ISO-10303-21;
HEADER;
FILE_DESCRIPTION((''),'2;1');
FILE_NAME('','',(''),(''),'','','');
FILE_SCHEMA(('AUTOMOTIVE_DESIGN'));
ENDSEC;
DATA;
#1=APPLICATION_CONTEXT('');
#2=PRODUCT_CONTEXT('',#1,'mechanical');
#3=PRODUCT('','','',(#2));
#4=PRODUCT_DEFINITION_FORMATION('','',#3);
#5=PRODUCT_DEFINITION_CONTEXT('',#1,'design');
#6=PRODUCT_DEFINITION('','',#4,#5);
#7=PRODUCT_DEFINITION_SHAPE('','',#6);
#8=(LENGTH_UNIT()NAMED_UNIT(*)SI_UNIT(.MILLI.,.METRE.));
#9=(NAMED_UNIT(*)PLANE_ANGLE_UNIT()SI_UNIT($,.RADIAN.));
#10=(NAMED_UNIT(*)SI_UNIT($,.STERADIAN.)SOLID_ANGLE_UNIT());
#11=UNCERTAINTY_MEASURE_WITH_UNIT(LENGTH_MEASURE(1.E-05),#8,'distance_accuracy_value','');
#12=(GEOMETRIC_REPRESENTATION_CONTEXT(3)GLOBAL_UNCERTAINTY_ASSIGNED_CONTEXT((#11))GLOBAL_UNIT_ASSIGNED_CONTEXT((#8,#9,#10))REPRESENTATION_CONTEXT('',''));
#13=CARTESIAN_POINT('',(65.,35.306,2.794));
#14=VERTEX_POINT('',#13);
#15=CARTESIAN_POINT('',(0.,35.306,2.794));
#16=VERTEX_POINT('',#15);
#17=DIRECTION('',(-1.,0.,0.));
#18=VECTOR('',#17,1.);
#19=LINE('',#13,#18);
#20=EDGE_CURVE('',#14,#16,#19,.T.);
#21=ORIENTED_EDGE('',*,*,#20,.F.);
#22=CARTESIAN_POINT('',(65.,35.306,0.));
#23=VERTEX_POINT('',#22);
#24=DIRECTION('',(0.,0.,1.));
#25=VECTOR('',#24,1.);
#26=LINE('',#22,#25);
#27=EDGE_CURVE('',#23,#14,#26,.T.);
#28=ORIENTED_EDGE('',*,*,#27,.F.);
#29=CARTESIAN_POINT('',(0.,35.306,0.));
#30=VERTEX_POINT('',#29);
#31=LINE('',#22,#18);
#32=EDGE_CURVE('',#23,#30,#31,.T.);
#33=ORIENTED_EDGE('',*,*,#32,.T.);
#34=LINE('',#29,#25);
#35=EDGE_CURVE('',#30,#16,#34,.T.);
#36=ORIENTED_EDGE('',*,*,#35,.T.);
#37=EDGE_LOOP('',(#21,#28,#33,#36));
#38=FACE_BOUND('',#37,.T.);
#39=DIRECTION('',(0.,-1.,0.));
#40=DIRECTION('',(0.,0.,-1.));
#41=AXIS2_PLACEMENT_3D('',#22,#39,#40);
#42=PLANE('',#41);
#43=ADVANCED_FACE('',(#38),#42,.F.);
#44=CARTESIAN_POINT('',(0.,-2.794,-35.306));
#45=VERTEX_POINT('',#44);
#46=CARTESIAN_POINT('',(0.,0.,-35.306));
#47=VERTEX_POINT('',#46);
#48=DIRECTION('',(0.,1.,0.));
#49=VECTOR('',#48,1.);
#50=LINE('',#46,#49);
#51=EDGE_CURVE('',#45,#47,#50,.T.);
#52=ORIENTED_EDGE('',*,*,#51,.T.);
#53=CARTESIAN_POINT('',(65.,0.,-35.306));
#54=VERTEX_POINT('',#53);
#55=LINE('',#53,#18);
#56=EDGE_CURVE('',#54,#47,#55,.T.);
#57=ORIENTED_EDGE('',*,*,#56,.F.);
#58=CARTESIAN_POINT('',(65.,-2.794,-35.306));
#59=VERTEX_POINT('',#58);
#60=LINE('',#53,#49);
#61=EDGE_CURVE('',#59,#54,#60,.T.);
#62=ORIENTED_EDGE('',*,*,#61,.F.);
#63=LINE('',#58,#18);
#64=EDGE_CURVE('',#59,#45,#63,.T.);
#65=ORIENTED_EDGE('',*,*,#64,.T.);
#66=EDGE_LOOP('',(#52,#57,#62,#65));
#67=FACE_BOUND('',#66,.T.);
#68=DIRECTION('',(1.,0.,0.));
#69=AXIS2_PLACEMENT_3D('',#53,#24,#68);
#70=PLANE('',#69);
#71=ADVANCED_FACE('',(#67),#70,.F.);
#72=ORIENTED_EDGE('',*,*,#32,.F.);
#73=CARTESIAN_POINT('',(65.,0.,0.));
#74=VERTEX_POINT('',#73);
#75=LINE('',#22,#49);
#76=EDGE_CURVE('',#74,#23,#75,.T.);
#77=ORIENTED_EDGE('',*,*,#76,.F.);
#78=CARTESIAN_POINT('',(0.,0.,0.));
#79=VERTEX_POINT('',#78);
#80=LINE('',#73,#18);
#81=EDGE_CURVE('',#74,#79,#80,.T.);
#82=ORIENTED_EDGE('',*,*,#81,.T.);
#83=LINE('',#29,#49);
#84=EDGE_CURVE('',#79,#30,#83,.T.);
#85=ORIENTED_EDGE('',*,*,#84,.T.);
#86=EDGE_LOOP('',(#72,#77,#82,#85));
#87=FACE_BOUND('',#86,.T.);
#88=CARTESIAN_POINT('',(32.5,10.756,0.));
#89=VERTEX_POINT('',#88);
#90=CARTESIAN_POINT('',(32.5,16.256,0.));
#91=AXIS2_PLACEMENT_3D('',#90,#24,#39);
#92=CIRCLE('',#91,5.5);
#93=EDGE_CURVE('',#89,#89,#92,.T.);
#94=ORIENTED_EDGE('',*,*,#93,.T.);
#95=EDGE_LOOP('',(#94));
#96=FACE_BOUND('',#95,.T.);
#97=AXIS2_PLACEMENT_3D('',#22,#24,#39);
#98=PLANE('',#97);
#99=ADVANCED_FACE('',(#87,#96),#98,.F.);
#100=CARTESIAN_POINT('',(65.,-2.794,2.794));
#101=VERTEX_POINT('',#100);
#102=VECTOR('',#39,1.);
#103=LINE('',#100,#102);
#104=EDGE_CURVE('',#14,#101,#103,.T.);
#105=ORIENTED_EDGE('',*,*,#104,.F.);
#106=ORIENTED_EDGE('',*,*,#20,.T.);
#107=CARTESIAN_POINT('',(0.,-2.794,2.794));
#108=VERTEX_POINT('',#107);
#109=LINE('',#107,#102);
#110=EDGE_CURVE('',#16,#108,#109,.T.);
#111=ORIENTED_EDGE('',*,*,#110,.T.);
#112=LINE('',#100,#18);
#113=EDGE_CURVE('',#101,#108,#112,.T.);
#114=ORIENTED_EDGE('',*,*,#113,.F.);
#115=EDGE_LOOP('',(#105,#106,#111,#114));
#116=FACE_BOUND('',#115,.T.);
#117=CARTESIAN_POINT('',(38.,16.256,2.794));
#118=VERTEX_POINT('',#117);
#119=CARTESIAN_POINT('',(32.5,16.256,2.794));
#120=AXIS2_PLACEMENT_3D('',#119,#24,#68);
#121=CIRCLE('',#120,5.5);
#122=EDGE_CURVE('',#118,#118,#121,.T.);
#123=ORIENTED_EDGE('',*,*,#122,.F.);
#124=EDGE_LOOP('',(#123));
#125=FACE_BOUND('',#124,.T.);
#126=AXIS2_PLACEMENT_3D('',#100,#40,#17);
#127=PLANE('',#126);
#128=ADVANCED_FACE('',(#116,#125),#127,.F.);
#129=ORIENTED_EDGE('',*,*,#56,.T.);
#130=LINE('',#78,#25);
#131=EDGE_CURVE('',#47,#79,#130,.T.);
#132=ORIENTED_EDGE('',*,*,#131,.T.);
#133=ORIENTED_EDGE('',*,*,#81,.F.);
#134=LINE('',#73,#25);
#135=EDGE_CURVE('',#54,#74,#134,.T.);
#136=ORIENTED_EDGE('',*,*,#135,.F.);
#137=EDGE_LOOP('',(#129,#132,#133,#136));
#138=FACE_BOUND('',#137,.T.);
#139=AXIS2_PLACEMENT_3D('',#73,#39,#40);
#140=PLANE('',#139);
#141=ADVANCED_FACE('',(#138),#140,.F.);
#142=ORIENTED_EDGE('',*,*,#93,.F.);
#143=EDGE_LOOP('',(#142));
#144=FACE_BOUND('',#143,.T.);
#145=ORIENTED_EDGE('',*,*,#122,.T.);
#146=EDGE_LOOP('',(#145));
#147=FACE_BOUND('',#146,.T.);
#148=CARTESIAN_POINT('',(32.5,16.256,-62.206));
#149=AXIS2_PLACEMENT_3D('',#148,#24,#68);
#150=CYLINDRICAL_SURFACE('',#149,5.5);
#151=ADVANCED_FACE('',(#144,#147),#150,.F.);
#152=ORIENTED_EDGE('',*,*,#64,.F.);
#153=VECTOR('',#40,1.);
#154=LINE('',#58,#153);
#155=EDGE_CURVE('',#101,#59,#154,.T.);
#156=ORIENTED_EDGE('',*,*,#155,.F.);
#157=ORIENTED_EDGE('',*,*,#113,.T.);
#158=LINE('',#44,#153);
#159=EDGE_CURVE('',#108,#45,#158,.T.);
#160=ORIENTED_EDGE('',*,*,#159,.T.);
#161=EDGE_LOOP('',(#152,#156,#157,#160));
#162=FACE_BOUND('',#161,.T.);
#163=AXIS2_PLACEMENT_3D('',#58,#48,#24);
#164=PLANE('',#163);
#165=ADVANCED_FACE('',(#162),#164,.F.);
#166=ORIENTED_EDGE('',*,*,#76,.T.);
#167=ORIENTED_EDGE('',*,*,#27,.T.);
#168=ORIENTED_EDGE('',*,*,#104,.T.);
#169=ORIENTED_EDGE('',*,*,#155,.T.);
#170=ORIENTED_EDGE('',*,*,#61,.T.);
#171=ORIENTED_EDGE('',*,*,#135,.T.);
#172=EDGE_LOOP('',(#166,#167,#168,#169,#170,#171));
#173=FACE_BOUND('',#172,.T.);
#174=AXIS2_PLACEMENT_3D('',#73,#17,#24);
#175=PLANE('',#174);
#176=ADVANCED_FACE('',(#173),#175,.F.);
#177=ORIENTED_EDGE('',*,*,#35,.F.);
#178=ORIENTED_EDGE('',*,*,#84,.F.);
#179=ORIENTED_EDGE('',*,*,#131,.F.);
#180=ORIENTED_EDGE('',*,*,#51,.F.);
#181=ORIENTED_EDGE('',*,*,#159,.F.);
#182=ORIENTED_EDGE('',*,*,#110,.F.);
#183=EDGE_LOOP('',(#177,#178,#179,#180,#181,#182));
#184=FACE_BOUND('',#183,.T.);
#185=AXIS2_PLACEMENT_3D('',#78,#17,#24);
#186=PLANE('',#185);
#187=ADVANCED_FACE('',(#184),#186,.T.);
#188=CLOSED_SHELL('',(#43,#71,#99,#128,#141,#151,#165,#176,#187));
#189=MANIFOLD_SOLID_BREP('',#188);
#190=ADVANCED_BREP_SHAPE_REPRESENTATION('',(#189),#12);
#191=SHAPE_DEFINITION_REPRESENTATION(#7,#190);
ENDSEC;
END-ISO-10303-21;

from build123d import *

# Parameters (mm, degrees)
BOSS_EXTRUDE1_DEPTH = 65
SKETCH2_R           = 5.5
CUT_EXTRUDE1_DEPTH  = 65


with BuildPart() as part:
    # Sketch1 → Boss-Extrude1 (new body)
    with BuildSketch(Plane(origin=(0, 0, 0), x_dir=(0, 0, -1), z_dir=(1, 0, 0))):
        Polygon((0, 35.306), (0, 0), (35.306, 0), (35.306, -2.794), (-2.794, -2.794), (-2.794, 35.306), align=None)
    extrude(amount=BOSS_EXTRUDE1_DEPTH)

    # Sketch2 → Cut-Extrude1 (cut)
    with BuildSketch(Plane.XY.offset(2.794)):
        with Locations((32.5, 16.256)):
            Circle(SKETCH2_R)
    extrude(amount=-CUT_EXTRUDE1_DEPTH, mode=Mode.SUBTRACT)


solid = part.part
